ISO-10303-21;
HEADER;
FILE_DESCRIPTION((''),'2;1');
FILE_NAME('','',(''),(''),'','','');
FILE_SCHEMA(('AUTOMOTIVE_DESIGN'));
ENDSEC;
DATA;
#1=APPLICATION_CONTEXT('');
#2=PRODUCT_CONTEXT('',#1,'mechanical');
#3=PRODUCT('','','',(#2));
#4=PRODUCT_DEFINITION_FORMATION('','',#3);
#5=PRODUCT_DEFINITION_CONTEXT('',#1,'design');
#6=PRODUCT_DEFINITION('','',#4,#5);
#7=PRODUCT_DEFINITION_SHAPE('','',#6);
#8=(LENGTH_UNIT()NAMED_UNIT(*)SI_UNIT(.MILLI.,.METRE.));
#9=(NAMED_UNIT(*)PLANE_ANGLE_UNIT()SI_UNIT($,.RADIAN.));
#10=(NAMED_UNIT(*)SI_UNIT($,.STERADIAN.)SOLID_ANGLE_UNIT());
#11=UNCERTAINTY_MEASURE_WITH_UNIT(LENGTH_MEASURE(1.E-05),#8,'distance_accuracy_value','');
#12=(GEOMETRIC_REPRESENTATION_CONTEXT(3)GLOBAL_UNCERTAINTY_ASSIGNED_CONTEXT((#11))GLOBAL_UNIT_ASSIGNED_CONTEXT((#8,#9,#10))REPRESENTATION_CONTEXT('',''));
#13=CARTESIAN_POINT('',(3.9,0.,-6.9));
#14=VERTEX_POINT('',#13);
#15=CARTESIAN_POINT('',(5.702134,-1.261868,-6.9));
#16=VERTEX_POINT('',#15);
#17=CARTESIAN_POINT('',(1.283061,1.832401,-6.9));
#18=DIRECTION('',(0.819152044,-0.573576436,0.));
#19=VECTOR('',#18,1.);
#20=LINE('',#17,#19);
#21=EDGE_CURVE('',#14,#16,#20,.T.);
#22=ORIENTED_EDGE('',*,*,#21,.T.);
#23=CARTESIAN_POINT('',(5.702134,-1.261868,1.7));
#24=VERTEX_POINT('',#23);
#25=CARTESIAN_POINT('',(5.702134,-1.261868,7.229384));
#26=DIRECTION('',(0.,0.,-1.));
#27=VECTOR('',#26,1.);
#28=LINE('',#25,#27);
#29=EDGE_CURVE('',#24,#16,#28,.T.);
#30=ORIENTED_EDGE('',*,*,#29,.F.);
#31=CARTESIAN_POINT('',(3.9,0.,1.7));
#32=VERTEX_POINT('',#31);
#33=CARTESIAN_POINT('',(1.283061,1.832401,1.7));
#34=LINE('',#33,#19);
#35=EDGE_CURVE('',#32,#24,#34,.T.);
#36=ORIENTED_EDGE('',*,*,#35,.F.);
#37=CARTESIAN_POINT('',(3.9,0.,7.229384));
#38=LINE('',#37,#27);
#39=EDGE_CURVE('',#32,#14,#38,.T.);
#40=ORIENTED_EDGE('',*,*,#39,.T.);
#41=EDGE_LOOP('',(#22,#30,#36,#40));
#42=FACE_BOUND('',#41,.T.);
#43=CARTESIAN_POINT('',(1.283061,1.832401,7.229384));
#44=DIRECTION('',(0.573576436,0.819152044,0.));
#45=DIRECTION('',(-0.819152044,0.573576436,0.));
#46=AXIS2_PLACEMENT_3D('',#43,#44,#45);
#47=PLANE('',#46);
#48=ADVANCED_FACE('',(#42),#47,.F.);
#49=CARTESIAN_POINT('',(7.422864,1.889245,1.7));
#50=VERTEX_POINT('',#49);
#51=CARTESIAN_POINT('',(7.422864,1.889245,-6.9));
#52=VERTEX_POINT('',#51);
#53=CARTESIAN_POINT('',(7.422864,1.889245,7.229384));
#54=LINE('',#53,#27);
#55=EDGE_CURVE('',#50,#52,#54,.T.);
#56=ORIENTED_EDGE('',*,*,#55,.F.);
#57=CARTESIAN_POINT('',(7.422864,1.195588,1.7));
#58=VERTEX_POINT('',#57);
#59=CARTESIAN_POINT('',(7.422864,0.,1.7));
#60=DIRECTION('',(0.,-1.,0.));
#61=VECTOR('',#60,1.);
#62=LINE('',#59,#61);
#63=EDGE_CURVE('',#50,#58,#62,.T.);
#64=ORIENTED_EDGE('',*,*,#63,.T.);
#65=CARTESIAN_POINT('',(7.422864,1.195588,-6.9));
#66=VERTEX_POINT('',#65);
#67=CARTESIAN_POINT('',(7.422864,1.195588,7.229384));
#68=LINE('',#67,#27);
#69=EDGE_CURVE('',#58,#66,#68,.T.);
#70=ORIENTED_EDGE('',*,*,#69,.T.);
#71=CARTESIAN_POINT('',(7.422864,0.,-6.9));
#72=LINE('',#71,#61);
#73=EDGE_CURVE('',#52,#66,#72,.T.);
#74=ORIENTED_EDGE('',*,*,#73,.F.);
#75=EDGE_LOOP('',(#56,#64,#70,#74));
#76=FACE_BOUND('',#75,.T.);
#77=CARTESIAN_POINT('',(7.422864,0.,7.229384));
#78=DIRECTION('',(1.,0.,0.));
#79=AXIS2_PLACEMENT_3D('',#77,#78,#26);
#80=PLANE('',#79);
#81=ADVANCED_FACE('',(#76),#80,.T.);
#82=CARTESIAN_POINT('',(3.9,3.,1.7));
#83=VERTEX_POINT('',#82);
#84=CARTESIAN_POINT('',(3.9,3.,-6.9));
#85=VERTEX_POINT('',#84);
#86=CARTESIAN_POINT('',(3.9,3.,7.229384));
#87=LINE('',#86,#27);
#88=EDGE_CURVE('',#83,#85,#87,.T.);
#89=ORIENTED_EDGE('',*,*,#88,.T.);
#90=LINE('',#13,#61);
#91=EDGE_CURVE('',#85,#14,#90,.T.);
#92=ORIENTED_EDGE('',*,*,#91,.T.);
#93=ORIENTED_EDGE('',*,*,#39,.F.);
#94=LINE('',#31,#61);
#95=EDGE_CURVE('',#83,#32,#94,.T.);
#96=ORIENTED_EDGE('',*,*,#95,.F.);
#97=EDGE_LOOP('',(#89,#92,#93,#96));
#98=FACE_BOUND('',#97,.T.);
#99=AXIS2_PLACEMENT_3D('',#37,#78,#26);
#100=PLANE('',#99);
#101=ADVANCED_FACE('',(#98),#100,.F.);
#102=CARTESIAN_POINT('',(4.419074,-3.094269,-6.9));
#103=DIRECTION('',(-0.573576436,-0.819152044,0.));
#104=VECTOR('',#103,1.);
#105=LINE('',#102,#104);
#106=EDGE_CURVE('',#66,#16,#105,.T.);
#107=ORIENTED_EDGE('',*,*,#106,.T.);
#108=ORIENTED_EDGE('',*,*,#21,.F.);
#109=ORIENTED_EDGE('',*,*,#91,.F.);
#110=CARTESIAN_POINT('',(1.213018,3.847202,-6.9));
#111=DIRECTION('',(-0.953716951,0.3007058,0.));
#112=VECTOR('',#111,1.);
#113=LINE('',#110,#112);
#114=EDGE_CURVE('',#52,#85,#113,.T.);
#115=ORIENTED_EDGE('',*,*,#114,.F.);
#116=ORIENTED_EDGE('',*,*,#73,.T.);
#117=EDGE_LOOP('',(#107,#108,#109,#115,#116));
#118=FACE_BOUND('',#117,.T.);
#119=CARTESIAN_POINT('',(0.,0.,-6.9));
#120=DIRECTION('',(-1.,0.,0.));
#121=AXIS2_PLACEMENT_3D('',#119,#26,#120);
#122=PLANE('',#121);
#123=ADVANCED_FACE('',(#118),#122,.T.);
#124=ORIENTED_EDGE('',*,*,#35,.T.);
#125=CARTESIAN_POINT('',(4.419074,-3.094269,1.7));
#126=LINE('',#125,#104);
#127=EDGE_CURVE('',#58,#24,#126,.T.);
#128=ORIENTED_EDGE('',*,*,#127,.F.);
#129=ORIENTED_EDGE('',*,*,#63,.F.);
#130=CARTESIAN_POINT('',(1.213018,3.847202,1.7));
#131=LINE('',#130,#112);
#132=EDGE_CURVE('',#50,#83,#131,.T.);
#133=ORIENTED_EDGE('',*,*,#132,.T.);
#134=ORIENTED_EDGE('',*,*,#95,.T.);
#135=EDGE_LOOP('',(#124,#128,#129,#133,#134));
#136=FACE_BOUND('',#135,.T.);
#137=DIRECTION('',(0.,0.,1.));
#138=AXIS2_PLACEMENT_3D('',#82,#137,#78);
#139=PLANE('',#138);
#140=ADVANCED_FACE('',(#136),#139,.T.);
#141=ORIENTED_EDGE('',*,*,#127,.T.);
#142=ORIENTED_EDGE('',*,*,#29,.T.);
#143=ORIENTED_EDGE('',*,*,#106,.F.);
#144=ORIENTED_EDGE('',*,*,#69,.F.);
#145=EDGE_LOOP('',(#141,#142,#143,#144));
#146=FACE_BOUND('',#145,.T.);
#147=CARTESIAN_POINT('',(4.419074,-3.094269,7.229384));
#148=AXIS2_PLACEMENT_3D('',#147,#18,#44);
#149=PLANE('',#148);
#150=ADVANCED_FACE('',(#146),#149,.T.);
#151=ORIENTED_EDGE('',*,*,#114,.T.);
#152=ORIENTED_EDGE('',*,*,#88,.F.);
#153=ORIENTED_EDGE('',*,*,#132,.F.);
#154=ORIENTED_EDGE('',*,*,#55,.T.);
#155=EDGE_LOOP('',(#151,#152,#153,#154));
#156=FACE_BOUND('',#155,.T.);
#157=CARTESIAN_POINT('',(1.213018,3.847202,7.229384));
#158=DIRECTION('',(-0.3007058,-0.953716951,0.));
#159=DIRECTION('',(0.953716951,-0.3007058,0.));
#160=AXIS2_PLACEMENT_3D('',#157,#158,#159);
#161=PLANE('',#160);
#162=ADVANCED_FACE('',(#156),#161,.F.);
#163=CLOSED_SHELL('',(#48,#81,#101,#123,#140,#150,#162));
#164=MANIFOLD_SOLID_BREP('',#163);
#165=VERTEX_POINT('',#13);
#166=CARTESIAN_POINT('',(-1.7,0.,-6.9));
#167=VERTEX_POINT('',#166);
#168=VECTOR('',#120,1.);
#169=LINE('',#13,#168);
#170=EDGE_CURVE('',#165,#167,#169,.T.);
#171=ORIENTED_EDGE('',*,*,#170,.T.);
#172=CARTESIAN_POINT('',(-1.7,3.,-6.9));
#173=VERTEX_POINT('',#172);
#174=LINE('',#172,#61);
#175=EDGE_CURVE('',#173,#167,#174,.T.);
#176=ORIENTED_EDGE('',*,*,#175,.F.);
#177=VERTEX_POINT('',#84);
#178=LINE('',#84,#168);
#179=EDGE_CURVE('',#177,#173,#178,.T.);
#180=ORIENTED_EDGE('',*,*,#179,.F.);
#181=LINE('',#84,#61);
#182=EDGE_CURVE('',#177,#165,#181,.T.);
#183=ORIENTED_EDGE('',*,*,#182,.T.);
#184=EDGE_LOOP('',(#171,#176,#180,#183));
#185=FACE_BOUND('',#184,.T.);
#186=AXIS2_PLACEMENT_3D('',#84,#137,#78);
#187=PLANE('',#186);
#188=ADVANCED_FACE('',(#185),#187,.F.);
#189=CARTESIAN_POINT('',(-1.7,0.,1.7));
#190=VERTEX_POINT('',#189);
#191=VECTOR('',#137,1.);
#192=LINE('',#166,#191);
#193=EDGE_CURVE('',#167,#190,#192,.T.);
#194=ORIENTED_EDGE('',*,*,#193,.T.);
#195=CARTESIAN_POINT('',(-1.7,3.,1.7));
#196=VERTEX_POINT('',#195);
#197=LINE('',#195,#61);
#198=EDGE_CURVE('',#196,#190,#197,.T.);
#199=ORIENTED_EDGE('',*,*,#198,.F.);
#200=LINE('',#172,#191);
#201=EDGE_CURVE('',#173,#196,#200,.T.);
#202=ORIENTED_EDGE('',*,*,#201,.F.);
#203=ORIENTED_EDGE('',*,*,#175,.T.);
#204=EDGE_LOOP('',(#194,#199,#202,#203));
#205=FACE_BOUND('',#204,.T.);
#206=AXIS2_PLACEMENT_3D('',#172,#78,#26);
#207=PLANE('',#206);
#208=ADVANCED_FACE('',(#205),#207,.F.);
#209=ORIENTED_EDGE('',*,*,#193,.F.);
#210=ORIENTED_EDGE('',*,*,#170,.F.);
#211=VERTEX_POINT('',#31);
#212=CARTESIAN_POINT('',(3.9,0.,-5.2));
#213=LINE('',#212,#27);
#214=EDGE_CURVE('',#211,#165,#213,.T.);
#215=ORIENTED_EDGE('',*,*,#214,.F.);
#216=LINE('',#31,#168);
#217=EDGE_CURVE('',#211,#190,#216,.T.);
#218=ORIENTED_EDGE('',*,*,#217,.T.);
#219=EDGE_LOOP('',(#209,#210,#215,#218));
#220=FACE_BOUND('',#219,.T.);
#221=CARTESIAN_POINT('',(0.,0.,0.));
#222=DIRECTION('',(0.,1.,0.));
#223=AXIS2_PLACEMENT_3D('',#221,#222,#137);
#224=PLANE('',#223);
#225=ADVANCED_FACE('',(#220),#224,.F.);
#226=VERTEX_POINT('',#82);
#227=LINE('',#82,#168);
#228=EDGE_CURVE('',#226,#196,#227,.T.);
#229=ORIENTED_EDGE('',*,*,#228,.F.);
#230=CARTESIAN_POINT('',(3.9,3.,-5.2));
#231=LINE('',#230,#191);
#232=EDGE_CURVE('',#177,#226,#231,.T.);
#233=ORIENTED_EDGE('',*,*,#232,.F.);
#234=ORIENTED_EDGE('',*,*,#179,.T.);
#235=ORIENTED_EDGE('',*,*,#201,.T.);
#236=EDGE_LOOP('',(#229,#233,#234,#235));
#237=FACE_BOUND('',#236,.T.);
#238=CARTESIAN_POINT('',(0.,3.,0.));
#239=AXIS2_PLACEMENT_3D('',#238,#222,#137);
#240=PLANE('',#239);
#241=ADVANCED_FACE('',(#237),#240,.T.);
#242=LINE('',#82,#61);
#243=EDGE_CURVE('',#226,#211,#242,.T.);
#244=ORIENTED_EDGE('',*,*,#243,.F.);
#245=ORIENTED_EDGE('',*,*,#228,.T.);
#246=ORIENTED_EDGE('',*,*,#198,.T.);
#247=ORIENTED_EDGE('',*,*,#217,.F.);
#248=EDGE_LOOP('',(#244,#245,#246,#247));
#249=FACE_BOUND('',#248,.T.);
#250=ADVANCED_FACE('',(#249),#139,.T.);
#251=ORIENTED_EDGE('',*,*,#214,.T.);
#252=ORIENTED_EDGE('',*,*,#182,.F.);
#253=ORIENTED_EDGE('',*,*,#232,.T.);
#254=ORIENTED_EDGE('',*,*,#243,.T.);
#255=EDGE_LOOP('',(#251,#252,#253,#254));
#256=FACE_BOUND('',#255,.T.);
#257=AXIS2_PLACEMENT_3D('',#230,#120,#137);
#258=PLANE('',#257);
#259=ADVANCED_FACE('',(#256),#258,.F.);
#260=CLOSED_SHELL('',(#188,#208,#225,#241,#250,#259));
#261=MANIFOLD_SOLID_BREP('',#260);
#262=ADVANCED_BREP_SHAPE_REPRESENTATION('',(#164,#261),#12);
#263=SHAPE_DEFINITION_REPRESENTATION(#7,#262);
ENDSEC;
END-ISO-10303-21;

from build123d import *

# Parameters (mm, degrees)
HOUSING_DEPTH      = 3
KINK_HOUSING_DEPTH = 8.6


with BuildPart() as part:
    # Sketch1 → Housing (new body)
    with BuildSketch(Plane(origin=(0, 0, 0), x_dir=(1, 0, 0), z_dir=(0, 1, 0))):
        Polygon((3.9, 6.9), (-1.7, 6.9), (-1.7, -1.7), (3.9, -1.7), (3.9, 5.2), align=None)
    extrude(amount=HOUSING_DEPTH)


with BuildPart() as body_2:
    # Tilted Magnet → Kink Housing (new body)
    with BuildSketch(Plane(origin=(0, 0, -6.9), x_dir=(-1, 0, 0), z_dir=(0, 0, -1))):
        Polygon((-3.9, 3), (-7.422863806, 1.889245308), (-7.422863806, 1.195587973), (-5.702134497, -1.26186816), (-3.9, 0), align=None)
    extrude(amount=-KINK_HOUSING_DEPTH)


solid = Compound([part.part, body_2.part])
